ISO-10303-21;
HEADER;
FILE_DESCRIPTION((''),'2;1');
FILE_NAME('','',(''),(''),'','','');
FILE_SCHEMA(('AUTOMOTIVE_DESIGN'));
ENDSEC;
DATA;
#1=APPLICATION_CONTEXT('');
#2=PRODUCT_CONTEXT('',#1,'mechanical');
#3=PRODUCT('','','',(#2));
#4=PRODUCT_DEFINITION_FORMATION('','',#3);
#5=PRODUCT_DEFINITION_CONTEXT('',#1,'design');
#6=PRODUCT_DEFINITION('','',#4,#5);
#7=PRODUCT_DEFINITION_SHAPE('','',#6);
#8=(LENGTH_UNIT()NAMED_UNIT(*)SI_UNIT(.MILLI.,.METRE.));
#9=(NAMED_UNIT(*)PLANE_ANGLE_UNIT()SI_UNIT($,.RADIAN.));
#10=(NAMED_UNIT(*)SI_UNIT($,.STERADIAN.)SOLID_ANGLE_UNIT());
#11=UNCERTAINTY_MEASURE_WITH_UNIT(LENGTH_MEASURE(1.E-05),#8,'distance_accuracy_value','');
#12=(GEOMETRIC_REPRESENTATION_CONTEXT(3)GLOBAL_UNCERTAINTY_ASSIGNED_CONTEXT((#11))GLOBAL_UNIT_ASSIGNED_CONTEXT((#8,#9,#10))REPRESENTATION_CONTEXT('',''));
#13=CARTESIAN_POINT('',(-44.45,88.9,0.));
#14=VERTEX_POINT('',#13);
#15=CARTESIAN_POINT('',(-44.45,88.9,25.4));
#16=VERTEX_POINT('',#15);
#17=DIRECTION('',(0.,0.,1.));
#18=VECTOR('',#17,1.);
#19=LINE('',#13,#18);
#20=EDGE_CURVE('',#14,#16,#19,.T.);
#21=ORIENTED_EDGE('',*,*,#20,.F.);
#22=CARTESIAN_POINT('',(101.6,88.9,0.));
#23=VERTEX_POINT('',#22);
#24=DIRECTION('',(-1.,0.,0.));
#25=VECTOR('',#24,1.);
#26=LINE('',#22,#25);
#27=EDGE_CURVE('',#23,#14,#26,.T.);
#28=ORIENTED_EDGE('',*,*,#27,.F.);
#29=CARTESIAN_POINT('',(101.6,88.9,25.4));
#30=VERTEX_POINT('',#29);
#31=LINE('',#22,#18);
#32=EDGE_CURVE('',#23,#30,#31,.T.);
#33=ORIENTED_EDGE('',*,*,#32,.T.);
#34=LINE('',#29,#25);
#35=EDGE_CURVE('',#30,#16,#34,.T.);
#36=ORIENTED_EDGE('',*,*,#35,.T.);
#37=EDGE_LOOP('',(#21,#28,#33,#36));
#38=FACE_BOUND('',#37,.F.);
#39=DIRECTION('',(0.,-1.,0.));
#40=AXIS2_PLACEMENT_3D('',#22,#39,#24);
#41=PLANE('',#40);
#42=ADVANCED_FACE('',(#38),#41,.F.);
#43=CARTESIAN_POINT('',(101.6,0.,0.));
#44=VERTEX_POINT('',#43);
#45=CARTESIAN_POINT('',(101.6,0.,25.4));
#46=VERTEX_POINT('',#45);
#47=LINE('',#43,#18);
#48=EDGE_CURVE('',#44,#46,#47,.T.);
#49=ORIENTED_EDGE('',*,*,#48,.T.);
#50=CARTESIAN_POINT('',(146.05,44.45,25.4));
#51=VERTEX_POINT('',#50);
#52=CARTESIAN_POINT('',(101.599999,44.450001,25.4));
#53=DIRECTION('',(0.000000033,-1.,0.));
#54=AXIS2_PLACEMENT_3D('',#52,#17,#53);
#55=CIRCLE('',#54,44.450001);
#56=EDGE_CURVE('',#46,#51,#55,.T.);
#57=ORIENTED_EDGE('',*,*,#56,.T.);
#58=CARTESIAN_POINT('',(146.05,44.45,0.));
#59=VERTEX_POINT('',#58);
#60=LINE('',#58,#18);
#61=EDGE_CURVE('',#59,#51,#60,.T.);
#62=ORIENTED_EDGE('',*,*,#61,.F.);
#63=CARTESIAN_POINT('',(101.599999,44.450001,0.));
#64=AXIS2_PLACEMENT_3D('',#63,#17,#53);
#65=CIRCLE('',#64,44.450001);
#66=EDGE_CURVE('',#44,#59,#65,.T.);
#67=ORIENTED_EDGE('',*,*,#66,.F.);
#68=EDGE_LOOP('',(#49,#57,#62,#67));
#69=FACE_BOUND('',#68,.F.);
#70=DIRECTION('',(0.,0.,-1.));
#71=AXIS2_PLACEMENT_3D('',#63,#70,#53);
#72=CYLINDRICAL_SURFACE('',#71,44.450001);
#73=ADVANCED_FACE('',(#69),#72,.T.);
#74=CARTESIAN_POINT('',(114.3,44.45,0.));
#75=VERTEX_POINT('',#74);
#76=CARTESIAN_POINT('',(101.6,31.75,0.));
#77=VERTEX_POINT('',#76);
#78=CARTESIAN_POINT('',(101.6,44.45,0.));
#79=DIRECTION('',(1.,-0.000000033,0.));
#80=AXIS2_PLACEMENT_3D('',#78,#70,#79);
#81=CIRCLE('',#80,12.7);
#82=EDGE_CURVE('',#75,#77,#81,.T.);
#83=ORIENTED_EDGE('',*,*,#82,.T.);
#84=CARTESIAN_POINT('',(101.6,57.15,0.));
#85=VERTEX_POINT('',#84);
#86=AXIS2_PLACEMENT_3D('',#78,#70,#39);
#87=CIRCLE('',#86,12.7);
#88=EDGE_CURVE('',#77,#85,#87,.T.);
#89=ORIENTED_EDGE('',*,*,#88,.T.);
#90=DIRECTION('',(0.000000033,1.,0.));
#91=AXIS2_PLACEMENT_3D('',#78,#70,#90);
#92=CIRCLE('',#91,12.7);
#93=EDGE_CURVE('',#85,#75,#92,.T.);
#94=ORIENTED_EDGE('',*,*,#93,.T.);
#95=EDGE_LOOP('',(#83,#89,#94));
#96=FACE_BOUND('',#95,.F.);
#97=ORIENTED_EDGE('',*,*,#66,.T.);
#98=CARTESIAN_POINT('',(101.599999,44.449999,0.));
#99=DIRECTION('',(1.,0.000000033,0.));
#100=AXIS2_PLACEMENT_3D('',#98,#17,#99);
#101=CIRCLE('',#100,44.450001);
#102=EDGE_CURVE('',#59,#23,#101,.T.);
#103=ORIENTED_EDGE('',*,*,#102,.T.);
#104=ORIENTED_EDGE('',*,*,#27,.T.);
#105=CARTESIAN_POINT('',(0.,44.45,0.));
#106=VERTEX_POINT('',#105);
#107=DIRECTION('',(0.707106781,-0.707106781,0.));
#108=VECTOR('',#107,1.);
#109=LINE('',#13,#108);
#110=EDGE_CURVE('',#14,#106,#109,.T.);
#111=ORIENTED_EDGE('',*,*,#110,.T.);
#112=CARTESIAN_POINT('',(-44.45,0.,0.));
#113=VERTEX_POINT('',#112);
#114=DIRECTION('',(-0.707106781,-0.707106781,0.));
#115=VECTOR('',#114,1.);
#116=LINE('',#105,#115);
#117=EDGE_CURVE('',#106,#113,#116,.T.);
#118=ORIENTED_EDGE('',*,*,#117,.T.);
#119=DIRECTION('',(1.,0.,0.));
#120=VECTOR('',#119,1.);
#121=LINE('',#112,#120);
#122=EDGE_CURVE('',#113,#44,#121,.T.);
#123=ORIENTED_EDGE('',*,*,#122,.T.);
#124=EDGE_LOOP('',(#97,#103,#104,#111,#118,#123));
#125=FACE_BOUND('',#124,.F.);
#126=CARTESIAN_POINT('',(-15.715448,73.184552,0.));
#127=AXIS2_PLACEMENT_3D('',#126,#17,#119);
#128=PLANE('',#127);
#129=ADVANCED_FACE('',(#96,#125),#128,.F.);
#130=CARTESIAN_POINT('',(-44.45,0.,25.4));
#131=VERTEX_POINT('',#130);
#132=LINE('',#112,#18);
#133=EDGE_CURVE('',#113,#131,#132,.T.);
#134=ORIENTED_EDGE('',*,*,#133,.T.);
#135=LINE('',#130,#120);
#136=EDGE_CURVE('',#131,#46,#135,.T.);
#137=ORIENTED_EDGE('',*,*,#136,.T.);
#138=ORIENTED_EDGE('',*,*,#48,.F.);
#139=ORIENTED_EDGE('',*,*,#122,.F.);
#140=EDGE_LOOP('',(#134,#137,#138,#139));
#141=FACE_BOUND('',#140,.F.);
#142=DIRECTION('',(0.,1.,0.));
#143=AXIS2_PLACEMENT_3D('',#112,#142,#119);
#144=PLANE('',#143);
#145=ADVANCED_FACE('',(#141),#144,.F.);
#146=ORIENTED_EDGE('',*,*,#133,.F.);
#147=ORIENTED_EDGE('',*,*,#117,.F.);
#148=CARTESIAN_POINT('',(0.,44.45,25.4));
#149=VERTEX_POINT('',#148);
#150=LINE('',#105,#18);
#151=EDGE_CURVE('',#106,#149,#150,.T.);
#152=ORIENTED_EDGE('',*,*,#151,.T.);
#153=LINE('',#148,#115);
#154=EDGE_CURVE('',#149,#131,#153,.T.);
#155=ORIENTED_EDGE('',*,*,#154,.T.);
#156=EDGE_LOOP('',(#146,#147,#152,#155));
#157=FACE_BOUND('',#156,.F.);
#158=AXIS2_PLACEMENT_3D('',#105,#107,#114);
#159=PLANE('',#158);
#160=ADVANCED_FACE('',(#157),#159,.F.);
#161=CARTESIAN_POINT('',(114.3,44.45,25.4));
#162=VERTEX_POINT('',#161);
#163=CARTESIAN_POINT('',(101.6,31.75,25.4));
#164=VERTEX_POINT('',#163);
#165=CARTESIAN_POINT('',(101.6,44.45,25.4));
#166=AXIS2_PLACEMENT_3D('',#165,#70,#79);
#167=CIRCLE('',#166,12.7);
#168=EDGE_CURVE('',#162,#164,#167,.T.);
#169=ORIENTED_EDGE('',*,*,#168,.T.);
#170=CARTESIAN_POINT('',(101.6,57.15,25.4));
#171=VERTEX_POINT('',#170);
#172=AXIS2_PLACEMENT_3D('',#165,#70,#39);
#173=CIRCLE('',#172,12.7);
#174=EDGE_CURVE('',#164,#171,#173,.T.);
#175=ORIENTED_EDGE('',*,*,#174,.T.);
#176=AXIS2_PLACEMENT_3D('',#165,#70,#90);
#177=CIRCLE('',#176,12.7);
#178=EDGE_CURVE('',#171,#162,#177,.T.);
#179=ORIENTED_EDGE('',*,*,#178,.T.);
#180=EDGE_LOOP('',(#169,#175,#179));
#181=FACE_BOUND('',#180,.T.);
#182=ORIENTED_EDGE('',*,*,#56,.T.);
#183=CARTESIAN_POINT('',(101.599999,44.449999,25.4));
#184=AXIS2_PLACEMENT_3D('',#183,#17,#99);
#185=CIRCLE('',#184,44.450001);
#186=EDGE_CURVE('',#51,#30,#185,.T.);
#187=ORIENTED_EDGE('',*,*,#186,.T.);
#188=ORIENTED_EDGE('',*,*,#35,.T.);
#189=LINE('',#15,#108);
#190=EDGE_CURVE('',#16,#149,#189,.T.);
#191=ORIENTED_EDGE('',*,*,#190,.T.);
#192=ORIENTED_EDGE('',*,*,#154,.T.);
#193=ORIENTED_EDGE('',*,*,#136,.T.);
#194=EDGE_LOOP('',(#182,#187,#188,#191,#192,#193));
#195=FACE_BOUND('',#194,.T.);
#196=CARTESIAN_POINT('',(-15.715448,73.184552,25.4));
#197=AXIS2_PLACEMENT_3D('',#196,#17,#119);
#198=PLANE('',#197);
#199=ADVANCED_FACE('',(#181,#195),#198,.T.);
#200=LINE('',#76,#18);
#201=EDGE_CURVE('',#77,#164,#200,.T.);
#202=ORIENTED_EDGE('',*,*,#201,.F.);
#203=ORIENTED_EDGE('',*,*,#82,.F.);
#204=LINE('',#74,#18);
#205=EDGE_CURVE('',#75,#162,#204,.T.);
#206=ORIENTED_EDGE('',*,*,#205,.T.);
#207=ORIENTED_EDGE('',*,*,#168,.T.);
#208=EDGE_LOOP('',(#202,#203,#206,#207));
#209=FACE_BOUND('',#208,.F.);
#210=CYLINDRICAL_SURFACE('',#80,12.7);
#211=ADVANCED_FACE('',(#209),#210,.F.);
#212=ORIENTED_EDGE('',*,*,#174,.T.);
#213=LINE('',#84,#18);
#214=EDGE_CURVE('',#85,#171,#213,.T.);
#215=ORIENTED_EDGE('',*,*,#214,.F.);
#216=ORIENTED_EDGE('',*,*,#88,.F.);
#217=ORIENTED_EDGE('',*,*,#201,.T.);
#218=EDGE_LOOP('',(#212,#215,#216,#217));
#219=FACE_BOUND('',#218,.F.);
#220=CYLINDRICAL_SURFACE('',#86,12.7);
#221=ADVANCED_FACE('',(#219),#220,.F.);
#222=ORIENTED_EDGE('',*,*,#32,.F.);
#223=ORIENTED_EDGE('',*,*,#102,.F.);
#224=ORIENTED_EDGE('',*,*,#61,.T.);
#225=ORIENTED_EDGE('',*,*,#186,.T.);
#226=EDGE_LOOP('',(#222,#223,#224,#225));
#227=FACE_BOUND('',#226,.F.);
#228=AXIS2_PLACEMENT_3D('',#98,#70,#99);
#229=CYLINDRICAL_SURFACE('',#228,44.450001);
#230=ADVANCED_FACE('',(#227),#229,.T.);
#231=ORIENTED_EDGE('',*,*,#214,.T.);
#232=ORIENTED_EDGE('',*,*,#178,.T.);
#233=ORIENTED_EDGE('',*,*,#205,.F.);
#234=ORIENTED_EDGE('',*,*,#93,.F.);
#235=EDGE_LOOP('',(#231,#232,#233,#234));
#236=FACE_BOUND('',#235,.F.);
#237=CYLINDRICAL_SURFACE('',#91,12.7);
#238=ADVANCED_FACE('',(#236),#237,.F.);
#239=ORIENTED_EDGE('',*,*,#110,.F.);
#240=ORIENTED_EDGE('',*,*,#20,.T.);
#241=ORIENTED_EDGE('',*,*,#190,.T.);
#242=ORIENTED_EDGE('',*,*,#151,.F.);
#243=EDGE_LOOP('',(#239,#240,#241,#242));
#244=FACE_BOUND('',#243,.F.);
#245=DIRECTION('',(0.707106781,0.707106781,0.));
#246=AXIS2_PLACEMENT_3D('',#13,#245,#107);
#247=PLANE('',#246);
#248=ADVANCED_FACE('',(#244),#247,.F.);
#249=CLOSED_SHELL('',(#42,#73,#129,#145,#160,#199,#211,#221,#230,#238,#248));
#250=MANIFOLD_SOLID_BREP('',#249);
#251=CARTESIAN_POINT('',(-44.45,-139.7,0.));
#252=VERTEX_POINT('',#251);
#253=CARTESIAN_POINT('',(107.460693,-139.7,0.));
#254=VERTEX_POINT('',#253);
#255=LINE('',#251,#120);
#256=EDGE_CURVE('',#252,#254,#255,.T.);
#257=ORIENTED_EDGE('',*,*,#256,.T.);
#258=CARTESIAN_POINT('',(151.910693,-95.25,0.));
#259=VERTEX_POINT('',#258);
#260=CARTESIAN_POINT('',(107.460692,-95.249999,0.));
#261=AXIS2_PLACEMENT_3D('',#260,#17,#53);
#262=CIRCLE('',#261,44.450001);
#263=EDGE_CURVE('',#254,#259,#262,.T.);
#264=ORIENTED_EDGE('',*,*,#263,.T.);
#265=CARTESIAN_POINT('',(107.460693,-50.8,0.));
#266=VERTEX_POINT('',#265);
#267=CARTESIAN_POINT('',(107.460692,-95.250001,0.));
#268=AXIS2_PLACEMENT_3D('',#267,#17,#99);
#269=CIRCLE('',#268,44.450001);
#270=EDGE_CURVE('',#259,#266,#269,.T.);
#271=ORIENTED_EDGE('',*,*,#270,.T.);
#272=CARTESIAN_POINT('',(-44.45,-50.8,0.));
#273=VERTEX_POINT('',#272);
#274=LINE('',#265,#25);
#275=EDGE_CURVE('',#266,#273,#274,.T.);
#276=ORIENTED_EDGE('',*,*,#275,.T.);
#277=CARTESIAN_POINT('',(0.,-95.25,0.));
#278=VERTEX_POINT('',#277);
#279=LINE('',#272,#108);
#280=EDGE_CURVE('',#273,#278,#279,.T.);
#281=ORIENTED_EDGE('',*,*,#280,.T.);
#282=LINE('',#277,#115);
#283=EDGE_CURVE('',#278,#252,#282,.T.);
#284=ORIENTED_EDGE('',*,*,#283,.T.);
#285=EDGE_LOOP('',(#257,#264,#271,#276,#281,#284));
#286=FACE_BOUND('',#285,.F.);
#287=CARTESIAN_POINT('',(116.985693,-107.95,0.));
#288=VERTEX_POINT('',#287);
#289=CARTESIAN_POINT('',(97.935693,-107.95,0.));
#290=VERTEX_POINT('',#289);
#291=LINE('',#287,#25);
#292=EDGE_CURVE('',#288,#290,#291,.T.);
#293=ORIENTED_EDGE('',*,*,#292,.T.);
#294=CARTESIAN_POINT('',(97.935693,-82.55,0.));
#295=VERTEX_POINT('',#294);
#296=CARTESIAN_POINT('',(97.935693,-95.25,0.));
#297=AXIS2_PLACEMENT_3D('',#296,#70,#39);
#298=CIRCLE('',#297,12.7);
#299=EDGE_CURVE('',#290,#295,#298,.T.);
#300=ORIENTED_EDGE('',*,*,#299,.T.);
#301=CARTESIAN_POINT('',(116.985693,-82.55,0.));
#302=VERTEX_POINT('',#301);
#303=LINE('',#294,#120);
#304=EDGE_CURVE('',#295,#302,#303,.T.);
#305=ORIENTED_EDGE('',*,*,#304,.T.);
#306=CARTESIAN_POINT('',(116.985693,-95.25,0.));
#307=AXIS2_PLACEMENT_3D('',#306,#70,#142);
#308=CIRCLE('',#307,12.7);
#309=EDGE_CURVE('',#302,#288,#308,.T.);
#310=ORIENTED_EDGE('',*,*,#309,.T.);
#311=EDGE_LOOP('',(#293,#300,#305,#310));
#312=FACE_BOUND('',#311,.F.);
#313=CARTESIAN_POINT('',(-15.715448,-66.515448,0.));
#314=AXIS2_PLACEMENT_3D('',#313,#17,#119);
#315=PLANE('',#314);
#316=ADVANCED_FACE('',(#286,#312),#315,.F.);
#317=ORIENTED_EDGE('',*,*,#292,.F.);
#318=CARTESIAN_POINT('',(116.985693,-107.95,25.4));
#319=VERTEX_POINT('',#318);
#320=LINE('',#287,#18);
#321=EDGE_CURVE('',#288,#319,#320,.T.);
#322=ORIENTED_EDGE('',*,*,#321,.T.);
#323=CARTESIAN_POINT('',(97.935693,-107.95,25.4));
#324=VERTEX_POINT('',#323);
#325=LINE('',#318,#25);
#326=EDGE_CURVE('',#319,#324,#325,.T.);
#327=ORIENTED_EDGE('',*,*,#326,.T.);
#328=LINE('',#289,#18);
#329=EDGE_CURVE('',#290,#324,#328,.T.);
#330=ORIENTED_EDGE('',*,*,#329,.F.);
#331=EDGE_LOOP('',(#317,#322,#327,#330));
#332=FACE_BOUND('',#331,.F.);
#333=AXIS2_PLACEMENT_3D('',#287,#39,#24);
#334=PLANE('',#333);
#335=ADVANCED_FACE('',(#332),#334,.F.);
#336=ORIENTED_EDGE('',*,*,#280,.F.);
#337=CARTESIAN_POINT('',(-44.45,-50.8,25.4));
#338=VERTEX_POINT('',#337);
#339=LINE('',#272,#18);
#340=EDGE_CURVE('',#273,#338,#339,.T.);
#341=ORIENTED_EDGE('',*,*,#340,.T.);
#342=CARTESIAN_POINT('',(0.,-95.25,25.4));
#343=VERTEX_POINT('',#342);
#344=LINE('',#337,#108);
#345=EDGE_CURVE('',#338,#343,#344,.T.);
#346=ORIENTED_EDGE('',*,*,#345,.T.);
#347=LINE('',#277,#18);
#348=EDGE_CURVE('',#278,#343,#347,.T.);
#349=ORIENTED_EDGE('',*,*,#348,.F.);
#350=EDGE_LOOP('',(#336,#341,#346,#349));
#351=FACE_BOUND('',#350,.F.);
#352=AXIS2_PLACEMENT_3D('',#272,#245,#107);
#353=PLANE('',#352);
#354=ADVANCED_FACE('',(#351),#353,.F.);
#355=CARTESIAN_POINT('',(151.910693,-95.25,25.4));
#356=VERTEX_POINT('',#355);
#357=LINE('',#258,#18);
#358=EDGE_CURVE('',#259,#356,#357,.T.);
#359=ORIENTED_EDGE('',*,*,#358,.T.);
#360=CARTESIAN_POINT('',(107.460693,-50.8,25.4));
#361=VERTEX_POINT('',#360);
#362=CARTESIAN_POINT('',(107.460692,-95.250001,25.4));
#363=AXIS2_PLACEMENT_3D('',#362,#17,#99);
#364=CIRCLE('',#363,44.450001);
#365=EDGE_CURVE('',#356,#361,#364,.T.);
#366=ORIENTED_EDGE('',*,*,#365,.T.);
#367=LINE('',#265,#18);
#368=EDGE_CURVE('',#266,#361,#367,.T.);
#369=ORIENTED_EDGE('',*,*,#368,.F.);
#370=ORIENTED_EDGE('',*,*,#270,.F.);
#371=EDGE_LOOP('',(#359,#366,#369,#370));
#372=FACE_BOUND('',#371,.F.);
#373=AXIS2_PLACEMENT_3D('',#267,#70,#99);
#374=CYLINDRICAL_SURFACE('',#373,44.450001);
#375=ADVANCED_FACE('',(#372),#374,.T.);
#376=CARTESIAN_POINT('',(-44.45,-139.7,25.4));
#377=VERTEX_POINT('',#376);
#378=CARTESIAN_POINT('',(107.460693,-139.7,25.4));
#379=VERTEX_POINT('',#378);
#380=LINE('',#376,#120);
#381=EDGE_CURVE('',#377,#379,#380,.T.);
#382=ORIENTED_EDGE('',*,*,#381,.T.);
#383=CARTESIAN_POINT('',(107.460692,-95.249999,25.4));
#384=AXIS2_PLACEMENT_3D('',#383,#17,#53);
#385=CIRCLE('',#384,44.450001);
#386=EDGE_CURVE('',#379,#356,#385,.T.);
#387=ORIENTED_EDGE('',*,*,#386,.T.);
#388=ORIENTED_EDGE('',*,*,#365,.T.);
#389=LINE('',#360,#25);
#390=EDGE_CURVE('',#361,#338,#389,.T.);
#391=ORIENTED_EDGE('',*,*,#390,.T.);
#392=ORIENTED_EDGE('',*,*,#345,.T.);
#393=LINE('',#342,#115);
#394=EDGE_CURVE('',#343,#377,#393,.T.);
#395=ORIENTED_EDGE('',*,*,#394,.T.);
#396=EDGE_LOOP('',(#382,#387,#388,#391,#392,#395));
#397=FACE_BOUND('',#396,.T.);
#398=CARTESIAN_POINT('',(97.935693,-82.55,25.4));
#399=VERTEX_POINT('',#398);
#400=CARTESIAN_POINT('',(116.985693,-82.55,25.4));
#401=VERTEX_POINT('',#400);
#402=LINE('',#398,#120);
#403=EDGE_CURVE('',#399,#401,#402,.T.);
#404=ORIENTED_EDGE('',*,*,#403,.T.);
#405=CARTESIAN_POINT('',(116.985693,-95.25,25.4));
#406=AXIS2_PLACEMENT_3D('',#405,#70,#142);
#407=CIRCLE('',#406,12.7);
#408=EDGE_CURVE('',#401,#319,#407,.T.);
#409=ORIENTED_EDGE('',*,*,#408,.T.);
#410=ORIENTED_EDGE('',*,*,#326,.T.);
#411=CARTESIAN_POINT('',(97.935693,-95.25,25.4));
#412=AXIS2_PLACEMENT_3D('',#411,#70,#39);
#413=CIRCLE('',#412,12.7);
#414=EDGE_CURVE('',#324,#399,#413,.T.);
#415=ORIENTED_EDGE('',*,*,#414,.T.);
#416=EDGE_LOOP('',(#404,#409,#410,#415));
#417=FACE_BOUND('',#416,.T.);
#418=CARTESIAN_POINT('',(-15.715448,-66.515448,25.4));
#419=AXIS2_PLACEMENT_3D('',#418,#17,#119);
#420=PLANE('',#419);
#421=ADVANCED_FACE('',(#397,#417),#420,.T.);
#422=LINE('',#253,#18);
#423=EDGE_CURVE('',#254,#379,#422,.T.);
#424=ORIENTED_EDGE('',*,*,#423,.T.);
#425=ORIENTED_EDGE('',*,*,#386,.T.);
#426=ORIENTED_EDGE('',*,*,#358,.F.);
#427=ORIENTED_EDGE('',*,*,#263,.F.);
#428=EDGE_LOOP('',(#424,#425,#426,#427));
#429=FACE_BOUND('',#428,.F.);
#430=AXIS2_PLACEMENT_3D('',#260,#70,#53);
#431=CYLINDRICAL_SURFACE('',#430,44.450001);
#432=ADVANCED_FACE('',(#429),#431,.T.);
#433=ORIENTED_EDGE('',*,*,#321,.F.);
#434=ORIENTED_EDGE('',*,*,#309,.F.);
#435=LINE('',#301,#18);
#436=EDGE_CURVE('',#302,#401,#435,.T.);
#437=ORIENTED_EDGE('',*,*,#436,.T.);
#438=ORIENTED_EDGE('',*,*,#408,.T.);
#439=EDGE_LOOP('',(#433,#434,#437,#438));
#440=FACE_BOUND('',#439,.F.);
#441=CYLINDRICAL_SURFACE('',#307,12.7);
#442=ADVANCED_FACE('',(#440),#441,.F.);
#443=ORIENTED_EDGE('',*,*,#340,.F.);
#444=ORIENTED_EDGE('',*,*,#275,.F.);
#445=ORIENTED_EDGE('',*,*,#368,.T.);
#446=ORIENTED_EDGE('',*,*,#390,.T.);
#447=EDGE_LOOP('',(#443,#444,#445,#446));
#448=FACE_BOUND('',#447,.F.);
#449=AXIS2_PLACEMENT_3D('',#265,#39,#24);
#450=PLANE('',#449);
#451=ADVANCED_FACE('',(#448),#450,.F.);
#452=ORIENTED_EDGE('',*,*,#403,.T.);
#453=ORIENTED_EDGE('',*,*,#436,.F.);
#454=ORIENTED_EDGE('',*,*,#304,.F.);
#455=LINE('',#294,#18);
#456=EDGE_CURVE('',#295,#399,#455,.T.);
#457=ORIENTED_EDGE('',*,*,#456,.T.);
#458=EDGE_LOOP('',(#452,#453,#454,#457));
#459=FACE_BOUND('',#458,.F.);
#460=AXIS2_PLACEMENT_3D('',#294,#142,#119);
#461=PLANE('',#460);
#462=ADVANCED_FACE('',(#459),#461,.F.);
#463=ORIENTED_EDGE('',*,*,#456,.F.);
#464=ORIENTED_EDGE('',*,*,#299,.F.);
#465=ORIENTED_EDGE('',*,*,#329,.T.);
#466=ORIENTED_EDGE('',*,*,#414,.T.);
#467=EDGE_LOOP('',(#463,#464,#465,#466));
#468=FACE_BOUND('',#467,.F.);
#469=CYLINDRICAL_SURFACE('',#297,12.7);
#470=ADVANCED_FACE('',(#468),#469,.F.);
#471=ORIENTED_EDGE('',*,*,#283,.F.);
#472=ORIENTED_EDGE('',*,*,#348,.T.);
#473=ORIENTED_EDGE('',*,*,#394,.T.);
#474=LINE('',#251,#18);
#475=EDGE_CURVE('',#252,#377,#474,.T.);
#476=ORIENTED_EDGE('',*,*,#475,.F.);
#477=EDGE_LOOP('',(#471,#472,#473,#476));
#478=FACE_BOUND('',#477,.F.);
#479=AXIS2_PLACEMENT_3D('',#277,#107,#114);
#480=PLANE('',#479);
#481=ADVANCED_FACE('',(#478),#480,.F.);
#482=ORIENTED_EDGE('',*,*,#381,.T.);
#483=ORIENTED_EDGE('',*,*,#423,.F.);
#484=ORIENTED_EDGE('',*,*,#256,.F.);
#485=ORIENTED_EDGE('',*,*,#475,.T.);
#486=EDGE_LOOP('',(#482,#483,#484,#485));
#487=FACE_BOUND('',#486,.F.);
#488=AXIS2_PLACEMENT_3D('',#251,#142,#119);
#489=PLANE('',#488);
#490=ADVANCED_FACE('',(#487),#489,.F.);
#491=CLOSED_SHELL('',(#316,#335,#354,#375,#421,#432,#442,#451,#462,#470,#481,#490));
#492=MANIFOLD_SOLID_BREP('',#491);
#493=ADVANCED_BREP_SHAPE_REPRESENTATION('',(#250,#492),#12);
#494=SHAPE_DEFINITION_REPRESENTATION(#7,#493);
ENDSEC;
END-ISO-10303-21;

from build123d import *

# Parameters (mm, degrees)
F1_DEPTH = 25.4


with BuildPart() as f1:
    # F0 (on Top) → F1 (new body)
    with BuildSketch(Plane.XY):
        Polygon((-44.45, 88.9), (0, 44.45), (0, 88.9), align=None)
        Polygon((-44.45, 0), (0, 0), (0, 44.45), align=None)
        with BuildLine():
            Line((0, 44.45), (0, 0))
            Line((0, 0), (101.6, 0))
            ThreePointArc((101.6, 0), (57.15, 44.45), (101.6, 88.9))
            Line((101.6, 88.9), (0, 88.9))
            Line((0, 88.9), (0, 44.45))
        make_face()
        with BuildLine():
            Line((101.6, 31.75), (101.6, 0))
            ThreePointArc((101.6, 0), (133.030896, 13.019104), (146.05, 44.45))
            ThreePointArc((146.05, 44.45), (133.030896, 75.880896), (101.6, 88.9))
            Line((101.6, 88.9), (101.6, 57.15))
            ThreePointArc((101.6, 57.15), (110.580256, 53.430256), (114.3, 44.45))
            ThreePointArc((114.3, 44.45), (110.580256, 35.469744), (101.6, 31.75))
        make_face()
        with BuildLine():
            ThreePointArc((101.6, 88.9), (57.15, 44.45), (101.6, 0))
            Line((101.6, 0), (101.6, 31.75))
            ThreePointArc((101.6, 31.75), (88.9, 44.45), (101.6, 57.15))
            Line((101.6, 57.15), (101.6, 88.9))
        make_face()
        Polygon((0, -50.8), (-44.45, -50.8), (0, -95.25), align=None)
        Polygon((0, -95.25), (-44.45, -139.7), (0, -139.7), align=None)
        with BuildLine():
            Line((0, -50.8), (0, -95.25))
            Line((0, -95.25), (0, -139.7))
            Line((0, -139.7), (107.460693, -139.7))
            ThreePointArc((107.460693, -139.7), (63.010693, -95.25), (107.460693, -50.8))
            Line((107.460693, -50.8), (0, -50.8))
        make_face()
        with BuildLine():
            Line((107.460693, -82.55), (107.460693, -50.8))
            ThreePointArc((107.460693, -50.8), (63.010693, -95.25), (107.460693, -139.7))
            Line((107.460693, -139.7), (107.460693, -107.95))
            Line((107.460693, -107.95), (97.935693, -107.95))
            ThreePointArc((97.935693, -107.95), (85.235693, -95.25), (97.935693, -82.55))
            Line((97.935693, -82.55), (107.460693, -82.55))
        make_face()
        with BuildLine():
            ThreePointArc((151.910693, -95.25), (138.891589, -63.819104), (107.460693, -50.8))
            Line((107.460693, -50.8), (107.460693, -82.55))
            Line((107.460693, -82.55), (116.985693, -82.55))
            ThreePointArc((116.985693, -82.55), (129.685693, -95.25), (116.985693, -107.95))
            Line((116.985693, -107.95), (107.460693, -107.95))
            Line((107.460693, -107.95), (107.460693, -139.7))
            ThreePointArc((107.460693, -139.7), (138.891589, -126.680896), (151.910693, -95.25))
        make_face()
    extrude(amount=F1_DEPTH)


solid = f1.part
